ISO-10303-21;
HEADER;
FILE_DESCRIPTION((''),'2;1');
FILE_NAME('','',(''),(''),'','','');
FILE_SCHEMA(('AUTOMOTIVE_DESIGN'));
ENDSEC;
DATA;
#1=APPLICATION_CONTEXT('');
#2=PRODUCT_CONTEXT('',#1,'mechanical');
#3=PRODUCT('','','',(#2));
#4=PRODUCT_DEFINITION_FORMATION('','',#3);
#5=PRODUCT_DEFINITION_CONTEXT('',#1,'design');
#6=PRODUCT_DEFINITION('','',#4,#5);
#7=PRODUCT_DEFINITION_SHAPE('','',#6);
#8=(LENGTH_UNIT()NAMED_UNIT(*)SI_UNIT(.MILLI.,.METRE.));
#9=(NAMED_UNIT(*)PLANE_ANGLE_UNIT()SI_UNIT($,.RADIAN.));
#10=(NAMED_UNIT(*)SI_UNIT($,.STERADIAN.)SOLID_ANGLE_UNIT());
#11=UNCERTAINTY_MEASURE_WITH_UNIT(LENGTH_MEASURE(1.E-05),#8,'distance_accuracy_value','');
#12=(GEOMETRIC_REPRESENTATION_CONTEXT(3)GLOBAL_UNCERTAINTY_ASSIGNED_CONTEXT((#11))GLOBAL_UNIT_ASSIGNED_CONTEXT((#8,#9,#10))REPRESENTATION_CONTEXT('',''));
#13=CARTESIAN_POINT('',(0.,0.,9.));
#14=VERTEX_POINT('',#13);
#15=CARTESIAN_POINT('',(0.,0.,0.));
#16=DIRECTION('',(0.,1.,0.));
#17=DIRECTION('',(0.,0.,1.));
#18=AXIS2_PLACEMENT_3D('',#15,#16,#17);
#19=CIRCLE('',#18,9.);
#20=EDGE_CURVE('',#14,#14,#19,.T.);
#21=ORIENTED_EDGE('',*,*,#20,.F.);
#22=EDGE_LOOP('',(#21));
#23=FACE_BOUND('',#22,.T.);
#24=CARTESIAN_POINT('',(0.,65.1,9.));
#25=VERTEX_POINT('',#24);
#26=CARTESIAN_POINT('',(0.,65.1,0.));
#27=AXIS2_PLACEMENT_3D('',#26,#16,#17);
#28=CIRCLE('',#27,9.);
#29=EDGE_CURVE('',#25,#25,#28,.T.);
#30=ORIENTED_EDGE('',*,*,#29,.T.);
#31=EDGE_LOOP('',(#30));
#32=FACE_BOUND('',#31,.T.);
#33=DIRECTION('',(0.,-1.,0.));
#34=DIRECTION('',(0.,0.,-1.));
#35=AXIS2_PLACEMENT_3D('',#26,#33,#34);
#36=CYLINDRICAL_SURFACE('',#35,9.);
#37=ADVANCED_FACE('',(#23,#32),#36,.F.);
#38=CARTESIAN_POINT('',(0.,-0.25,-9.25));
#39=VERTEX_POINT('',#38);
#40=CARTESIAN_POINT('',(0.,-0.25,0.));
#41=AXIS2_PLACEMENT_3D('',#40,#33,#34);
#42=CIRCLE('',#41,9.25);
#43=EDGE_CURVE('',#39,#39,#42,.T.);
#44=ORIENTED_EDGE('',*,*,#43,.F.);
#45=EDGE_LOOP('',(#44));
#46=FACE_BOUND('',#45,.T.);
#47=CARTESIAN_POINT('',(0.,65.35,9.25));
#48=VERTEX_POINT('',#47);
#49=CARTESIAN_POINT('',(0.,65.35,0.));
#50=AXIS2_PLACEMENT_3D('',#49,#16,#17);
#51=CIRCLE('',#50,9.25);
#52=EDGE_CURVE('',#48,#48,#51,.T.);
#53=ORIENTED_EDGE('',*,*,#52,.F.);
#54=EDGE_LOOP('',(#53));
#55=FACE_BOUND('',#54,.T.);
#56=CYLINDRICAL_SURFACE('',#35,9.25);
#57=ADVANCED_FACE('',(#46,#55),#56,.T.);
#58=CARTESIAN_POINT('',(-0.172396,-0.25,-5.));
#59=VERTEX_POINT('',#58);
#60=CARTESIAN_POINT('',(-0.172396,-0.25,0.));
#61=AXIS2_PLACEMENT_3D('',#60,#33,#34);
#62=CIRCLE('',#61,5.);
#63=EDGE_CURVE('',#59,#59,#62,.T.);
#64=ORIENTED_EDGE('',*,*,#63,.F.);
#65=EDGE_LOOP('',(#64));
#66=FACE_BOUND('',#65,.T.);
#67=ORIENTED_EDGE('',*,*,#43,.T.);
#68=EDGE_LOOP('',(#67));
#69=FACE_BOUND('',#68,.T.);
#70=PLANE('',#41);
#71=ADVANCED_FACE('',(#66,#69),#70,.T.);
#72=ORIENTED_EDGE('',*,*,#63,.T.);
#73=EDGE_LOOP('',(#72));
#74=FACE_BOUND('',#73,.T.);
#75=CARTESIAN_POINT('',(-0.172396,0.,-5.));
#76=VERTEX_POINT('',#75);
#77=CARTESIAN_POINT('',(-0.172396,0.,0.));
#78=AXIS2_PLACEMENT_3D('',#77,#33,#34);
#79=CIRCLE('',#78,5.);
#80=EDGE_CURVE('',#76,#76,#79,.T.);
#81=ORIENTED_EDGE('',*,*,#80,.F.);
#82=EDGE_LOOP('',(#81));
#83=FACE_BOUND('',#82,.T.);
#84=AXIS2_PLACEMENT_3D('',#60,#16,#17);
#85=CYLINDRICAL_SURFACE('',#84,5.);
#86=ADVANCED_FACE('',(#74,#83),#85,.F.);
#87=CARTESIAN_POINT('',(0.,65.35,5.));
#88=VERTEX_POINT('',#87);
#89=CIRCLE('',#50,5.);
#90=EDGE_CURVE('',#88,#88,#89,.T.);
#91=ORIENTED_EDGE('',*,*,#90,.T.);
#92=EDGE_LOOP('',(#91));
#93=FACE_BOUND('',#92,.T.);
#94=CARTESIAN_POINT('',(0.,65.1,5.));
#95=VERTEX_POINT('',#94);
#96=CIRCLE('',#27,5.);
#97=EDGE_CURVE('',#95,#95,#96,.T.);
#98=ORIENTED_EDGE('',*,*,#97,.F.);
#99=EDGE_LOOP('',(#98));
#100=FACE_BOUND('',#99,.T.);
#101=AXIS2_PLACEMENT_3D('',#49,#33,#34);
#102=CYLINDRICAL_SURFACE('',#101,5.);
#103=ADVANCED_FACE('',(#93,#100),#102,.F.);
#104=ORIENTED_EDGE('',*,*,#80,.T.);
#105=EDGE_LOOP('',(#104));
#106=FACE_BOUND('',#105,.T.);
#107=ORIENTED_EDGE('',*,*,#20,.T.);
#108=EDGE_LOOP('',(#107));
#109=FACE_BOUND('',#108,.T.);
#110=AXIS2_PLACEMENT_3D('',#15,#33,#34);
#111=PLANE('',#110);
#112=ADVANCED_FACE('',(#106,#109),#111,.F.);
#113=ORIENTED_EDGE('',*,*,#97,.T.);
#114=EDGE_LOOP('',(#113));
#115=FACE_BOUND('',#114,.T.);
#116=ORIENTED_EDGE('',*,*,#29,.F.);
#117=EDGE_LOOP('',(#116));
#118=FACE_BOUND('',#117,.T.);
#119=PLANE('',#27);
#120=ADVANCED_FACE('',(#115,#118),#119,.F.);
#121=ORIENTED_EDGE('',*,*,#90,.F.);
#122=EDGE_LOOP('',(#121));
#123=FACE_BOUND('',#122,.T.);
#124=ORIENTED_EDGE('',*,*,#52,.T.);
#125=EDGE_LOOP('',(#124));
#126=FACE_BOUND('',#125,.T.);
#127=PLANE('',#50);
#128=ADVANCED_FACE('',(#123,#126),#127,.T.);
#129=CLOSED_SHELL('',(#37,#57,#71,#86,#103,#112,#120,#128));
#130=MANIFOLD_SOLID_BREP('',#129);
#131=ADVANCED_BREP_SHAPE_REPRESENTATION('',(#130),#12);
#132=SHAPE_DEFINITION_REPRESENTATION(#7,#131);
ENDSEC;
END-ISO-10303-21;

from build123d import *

# Parameters (mm, degrees)
SKETCH1_R           = 9.25
SKETCH1_R_2         = 9
BOSS_EXTRUDE1_DEPTH = 65.1
SKETCH2_R           = 9.25
SKETCH2_R_2         = 5
BOSS_EXTRUDE2_DEPTH = 0.25
SKETCH3_R           = 9.25
SKETCH3_R_2         = 5
BOSS_EXTRUDE3_DEPTH = 0.25


with BuildPart() as part:
    # Sketch1 → Boss-Extrude1 (new body)
    with BuildSketch(Plane(origin=(0, 0, 0), x_dir=(1, 0, 0), z_dir=(0, 1, 0))):
        Circle(SKETCH1_R)
        Circle(SKETCH1_R_2, mode=Mode.SUBTRACT)
    extrude(amount=BOSS_EXTRUDE1_DEPTH)

    # Sketch2 → Boss-Extrude2 (add)
    with BuildSketch(Plane(origin=(0, 65.1, 0), x_dir=(1, 0, 0), z_dir=(0, 1, 0))):
        Circle(SKETCH2_R)
        Circle(SKETCH2_R_2, mode=Mode.SUBTRACT)
    extrude(amount=BOSS_EXTRUDE2_DEPTH)

    # Sketch3 → Boss-Extrude3 (add)
    with BuildSketch(Plane.XZ):
        Circle(SKETCH3_R)
        with Locations((-0.172396434, 0)):
            Circle(SKETCH3_R_2, mode=Mode.SUBTRACT)
    extrude(amount=BOSS_EXTRUDE3_DEPTH)


solid = part.part
